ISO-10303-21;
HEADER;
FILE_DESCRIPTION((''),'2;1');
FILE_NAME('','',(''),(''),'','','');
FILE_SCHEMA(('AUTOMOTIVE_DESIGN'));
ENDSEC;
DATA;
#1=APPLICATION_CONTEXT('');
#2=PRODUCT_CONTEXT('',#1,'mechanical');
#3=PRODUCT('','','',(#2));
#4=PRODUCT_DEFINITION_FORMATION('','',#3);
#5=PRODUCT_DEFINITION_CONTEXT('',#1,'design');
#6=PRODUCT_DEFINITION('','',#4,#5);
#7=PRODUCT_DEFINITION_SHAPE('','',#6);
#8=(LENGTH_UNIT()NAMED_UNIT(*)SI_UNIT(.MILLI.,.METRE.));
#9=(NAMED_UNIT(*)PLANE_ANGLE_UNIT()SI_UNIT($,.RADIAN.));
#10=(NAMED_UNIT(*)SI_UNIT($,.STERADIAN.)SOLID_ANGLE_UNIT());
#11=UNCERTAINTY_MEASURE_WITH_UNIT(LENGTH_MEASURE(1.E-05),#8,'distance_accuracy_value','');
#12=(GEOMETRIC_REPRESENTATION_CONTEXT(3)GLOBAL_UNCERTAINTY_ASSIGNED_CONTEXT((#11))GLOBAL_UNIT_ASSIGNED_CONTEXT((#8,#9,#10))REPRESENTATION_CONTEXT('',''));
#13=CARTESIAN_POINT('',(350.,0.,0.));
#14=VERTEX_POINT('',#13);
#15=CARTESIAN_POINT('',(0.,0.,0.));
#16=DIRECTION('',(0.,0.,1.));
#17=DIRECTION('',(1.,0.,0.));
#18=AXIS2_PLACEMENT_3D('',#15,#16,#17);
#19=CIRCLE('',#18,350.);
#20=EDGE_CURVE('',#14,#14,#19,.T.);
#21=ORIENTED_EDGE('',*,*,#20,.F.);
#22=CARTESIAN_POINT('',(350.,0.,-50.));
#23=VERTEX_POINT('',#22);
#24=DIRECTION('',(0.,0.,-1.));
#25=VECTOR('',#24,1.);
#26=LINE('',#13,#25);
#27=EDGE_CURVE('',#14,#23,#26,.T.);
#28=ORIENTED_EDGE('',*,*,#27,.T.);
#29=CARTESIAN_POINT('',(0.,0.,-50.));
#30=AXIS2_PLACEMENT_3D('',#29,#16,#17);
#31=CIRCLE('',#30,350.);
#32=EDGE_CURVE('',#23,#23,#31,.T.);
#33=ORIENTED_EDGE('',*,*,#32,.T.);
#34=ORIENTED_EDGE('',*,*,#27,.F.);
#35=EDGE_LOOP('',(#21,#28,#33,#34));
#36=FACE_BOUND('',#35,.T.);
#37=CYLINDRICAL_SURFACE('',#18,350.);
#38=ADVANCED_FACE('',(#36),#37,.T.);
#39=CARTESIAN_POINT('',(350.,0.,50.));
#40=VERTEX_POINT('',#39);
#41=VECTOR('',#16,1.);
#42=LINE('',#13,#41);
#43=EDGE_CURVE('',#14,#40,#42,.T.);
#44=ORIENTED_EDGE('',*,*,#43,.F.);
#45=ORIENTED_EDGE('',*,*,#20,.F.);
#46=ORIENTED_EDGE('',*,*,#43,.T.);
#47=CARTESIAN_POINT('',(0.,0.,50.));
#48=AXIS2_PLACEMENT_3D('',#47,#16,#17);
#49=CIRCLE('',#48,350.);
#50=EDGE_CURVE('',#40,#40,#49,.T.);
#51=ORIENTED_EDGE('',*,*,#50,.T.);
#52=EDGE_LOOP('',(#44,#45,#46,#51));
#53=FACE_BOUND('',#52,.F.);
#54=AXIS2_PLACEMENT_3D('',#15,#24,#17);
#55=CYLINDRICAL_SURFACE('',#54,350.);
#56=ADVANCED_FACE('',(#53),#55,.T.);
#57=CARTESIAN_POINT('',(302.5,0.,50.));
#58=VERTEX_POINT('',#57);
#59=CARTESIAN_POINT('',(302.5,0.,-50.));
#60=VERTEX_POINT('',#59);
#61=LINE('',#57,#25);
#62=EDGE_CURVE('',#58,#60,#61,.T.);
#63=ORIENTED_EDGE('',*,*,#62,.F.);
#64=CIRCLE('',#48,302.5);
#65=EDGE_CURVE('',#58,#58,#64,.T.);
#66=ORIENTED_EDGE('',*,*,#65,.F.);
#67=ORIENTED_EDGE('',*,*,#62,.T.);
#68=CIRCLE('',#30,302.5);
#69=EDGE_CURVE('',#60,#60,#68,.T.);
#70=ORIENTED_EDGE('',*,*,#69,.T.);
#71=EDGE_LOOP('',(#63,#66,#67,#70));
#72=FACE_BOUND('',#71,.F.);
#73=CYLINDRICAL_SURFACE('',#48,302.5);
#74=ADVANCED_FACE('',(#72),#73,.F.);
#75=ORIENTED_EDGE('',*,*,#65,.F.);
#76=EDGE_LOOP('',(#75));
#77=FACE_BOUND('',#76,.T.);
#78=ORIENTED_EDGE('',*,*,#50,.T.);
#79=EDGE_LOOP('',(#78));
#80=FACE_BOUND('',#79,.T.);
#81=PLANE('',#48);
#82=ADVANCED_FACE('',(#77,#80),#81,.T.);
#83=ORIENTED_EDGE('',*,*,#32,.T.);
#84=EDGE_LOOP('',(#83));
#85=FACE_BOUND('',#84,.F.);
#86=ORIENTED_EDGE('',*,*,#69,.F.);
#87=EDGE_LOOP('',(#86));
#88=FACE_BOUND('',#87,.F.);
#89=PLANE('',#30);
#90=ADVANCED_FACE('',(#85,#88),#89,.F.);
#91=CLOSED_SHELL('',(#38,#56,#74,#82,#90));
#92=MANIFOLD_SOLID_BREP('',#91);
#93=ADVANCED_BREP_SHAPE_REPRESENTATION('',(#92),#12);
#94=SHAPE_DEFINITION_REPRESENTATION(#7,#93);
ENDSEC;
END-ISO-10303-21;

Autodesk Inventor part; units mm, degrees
ref_plane "YZ Plane" through (0, 0, 0) normal (1, 0, 0) x (0, 1, 0)
ref_plane "XZ Plane" through (0, 0, 0) normal (0, 1, 0) x (-1, 0, 0)
ref_plane "XY Plane" through (0, 0, 0) normal (0, 0, 1) x (1, 0, 0)
sketch "Sketch1" plane through (0, 0, 0) normal (0, 0, 1) x (1, 0, 0)
  circle A0 centre (0, 0) radius 350
  dimension "d0" = 700
extrude "Extrusion1" add sketch "Sketch1" along normal mid plane 100
sketch "Sketch2" plane through (0, 0, 50) normal (0, 0, 1) x (1, 0, 0)
  circle A0 centre (0, 0) radius 302.5
  dimension "d3" = 605
extrude "Extrusion2" cut sketch "Sketch2" against normal through all
properties part number "AGBL08"
